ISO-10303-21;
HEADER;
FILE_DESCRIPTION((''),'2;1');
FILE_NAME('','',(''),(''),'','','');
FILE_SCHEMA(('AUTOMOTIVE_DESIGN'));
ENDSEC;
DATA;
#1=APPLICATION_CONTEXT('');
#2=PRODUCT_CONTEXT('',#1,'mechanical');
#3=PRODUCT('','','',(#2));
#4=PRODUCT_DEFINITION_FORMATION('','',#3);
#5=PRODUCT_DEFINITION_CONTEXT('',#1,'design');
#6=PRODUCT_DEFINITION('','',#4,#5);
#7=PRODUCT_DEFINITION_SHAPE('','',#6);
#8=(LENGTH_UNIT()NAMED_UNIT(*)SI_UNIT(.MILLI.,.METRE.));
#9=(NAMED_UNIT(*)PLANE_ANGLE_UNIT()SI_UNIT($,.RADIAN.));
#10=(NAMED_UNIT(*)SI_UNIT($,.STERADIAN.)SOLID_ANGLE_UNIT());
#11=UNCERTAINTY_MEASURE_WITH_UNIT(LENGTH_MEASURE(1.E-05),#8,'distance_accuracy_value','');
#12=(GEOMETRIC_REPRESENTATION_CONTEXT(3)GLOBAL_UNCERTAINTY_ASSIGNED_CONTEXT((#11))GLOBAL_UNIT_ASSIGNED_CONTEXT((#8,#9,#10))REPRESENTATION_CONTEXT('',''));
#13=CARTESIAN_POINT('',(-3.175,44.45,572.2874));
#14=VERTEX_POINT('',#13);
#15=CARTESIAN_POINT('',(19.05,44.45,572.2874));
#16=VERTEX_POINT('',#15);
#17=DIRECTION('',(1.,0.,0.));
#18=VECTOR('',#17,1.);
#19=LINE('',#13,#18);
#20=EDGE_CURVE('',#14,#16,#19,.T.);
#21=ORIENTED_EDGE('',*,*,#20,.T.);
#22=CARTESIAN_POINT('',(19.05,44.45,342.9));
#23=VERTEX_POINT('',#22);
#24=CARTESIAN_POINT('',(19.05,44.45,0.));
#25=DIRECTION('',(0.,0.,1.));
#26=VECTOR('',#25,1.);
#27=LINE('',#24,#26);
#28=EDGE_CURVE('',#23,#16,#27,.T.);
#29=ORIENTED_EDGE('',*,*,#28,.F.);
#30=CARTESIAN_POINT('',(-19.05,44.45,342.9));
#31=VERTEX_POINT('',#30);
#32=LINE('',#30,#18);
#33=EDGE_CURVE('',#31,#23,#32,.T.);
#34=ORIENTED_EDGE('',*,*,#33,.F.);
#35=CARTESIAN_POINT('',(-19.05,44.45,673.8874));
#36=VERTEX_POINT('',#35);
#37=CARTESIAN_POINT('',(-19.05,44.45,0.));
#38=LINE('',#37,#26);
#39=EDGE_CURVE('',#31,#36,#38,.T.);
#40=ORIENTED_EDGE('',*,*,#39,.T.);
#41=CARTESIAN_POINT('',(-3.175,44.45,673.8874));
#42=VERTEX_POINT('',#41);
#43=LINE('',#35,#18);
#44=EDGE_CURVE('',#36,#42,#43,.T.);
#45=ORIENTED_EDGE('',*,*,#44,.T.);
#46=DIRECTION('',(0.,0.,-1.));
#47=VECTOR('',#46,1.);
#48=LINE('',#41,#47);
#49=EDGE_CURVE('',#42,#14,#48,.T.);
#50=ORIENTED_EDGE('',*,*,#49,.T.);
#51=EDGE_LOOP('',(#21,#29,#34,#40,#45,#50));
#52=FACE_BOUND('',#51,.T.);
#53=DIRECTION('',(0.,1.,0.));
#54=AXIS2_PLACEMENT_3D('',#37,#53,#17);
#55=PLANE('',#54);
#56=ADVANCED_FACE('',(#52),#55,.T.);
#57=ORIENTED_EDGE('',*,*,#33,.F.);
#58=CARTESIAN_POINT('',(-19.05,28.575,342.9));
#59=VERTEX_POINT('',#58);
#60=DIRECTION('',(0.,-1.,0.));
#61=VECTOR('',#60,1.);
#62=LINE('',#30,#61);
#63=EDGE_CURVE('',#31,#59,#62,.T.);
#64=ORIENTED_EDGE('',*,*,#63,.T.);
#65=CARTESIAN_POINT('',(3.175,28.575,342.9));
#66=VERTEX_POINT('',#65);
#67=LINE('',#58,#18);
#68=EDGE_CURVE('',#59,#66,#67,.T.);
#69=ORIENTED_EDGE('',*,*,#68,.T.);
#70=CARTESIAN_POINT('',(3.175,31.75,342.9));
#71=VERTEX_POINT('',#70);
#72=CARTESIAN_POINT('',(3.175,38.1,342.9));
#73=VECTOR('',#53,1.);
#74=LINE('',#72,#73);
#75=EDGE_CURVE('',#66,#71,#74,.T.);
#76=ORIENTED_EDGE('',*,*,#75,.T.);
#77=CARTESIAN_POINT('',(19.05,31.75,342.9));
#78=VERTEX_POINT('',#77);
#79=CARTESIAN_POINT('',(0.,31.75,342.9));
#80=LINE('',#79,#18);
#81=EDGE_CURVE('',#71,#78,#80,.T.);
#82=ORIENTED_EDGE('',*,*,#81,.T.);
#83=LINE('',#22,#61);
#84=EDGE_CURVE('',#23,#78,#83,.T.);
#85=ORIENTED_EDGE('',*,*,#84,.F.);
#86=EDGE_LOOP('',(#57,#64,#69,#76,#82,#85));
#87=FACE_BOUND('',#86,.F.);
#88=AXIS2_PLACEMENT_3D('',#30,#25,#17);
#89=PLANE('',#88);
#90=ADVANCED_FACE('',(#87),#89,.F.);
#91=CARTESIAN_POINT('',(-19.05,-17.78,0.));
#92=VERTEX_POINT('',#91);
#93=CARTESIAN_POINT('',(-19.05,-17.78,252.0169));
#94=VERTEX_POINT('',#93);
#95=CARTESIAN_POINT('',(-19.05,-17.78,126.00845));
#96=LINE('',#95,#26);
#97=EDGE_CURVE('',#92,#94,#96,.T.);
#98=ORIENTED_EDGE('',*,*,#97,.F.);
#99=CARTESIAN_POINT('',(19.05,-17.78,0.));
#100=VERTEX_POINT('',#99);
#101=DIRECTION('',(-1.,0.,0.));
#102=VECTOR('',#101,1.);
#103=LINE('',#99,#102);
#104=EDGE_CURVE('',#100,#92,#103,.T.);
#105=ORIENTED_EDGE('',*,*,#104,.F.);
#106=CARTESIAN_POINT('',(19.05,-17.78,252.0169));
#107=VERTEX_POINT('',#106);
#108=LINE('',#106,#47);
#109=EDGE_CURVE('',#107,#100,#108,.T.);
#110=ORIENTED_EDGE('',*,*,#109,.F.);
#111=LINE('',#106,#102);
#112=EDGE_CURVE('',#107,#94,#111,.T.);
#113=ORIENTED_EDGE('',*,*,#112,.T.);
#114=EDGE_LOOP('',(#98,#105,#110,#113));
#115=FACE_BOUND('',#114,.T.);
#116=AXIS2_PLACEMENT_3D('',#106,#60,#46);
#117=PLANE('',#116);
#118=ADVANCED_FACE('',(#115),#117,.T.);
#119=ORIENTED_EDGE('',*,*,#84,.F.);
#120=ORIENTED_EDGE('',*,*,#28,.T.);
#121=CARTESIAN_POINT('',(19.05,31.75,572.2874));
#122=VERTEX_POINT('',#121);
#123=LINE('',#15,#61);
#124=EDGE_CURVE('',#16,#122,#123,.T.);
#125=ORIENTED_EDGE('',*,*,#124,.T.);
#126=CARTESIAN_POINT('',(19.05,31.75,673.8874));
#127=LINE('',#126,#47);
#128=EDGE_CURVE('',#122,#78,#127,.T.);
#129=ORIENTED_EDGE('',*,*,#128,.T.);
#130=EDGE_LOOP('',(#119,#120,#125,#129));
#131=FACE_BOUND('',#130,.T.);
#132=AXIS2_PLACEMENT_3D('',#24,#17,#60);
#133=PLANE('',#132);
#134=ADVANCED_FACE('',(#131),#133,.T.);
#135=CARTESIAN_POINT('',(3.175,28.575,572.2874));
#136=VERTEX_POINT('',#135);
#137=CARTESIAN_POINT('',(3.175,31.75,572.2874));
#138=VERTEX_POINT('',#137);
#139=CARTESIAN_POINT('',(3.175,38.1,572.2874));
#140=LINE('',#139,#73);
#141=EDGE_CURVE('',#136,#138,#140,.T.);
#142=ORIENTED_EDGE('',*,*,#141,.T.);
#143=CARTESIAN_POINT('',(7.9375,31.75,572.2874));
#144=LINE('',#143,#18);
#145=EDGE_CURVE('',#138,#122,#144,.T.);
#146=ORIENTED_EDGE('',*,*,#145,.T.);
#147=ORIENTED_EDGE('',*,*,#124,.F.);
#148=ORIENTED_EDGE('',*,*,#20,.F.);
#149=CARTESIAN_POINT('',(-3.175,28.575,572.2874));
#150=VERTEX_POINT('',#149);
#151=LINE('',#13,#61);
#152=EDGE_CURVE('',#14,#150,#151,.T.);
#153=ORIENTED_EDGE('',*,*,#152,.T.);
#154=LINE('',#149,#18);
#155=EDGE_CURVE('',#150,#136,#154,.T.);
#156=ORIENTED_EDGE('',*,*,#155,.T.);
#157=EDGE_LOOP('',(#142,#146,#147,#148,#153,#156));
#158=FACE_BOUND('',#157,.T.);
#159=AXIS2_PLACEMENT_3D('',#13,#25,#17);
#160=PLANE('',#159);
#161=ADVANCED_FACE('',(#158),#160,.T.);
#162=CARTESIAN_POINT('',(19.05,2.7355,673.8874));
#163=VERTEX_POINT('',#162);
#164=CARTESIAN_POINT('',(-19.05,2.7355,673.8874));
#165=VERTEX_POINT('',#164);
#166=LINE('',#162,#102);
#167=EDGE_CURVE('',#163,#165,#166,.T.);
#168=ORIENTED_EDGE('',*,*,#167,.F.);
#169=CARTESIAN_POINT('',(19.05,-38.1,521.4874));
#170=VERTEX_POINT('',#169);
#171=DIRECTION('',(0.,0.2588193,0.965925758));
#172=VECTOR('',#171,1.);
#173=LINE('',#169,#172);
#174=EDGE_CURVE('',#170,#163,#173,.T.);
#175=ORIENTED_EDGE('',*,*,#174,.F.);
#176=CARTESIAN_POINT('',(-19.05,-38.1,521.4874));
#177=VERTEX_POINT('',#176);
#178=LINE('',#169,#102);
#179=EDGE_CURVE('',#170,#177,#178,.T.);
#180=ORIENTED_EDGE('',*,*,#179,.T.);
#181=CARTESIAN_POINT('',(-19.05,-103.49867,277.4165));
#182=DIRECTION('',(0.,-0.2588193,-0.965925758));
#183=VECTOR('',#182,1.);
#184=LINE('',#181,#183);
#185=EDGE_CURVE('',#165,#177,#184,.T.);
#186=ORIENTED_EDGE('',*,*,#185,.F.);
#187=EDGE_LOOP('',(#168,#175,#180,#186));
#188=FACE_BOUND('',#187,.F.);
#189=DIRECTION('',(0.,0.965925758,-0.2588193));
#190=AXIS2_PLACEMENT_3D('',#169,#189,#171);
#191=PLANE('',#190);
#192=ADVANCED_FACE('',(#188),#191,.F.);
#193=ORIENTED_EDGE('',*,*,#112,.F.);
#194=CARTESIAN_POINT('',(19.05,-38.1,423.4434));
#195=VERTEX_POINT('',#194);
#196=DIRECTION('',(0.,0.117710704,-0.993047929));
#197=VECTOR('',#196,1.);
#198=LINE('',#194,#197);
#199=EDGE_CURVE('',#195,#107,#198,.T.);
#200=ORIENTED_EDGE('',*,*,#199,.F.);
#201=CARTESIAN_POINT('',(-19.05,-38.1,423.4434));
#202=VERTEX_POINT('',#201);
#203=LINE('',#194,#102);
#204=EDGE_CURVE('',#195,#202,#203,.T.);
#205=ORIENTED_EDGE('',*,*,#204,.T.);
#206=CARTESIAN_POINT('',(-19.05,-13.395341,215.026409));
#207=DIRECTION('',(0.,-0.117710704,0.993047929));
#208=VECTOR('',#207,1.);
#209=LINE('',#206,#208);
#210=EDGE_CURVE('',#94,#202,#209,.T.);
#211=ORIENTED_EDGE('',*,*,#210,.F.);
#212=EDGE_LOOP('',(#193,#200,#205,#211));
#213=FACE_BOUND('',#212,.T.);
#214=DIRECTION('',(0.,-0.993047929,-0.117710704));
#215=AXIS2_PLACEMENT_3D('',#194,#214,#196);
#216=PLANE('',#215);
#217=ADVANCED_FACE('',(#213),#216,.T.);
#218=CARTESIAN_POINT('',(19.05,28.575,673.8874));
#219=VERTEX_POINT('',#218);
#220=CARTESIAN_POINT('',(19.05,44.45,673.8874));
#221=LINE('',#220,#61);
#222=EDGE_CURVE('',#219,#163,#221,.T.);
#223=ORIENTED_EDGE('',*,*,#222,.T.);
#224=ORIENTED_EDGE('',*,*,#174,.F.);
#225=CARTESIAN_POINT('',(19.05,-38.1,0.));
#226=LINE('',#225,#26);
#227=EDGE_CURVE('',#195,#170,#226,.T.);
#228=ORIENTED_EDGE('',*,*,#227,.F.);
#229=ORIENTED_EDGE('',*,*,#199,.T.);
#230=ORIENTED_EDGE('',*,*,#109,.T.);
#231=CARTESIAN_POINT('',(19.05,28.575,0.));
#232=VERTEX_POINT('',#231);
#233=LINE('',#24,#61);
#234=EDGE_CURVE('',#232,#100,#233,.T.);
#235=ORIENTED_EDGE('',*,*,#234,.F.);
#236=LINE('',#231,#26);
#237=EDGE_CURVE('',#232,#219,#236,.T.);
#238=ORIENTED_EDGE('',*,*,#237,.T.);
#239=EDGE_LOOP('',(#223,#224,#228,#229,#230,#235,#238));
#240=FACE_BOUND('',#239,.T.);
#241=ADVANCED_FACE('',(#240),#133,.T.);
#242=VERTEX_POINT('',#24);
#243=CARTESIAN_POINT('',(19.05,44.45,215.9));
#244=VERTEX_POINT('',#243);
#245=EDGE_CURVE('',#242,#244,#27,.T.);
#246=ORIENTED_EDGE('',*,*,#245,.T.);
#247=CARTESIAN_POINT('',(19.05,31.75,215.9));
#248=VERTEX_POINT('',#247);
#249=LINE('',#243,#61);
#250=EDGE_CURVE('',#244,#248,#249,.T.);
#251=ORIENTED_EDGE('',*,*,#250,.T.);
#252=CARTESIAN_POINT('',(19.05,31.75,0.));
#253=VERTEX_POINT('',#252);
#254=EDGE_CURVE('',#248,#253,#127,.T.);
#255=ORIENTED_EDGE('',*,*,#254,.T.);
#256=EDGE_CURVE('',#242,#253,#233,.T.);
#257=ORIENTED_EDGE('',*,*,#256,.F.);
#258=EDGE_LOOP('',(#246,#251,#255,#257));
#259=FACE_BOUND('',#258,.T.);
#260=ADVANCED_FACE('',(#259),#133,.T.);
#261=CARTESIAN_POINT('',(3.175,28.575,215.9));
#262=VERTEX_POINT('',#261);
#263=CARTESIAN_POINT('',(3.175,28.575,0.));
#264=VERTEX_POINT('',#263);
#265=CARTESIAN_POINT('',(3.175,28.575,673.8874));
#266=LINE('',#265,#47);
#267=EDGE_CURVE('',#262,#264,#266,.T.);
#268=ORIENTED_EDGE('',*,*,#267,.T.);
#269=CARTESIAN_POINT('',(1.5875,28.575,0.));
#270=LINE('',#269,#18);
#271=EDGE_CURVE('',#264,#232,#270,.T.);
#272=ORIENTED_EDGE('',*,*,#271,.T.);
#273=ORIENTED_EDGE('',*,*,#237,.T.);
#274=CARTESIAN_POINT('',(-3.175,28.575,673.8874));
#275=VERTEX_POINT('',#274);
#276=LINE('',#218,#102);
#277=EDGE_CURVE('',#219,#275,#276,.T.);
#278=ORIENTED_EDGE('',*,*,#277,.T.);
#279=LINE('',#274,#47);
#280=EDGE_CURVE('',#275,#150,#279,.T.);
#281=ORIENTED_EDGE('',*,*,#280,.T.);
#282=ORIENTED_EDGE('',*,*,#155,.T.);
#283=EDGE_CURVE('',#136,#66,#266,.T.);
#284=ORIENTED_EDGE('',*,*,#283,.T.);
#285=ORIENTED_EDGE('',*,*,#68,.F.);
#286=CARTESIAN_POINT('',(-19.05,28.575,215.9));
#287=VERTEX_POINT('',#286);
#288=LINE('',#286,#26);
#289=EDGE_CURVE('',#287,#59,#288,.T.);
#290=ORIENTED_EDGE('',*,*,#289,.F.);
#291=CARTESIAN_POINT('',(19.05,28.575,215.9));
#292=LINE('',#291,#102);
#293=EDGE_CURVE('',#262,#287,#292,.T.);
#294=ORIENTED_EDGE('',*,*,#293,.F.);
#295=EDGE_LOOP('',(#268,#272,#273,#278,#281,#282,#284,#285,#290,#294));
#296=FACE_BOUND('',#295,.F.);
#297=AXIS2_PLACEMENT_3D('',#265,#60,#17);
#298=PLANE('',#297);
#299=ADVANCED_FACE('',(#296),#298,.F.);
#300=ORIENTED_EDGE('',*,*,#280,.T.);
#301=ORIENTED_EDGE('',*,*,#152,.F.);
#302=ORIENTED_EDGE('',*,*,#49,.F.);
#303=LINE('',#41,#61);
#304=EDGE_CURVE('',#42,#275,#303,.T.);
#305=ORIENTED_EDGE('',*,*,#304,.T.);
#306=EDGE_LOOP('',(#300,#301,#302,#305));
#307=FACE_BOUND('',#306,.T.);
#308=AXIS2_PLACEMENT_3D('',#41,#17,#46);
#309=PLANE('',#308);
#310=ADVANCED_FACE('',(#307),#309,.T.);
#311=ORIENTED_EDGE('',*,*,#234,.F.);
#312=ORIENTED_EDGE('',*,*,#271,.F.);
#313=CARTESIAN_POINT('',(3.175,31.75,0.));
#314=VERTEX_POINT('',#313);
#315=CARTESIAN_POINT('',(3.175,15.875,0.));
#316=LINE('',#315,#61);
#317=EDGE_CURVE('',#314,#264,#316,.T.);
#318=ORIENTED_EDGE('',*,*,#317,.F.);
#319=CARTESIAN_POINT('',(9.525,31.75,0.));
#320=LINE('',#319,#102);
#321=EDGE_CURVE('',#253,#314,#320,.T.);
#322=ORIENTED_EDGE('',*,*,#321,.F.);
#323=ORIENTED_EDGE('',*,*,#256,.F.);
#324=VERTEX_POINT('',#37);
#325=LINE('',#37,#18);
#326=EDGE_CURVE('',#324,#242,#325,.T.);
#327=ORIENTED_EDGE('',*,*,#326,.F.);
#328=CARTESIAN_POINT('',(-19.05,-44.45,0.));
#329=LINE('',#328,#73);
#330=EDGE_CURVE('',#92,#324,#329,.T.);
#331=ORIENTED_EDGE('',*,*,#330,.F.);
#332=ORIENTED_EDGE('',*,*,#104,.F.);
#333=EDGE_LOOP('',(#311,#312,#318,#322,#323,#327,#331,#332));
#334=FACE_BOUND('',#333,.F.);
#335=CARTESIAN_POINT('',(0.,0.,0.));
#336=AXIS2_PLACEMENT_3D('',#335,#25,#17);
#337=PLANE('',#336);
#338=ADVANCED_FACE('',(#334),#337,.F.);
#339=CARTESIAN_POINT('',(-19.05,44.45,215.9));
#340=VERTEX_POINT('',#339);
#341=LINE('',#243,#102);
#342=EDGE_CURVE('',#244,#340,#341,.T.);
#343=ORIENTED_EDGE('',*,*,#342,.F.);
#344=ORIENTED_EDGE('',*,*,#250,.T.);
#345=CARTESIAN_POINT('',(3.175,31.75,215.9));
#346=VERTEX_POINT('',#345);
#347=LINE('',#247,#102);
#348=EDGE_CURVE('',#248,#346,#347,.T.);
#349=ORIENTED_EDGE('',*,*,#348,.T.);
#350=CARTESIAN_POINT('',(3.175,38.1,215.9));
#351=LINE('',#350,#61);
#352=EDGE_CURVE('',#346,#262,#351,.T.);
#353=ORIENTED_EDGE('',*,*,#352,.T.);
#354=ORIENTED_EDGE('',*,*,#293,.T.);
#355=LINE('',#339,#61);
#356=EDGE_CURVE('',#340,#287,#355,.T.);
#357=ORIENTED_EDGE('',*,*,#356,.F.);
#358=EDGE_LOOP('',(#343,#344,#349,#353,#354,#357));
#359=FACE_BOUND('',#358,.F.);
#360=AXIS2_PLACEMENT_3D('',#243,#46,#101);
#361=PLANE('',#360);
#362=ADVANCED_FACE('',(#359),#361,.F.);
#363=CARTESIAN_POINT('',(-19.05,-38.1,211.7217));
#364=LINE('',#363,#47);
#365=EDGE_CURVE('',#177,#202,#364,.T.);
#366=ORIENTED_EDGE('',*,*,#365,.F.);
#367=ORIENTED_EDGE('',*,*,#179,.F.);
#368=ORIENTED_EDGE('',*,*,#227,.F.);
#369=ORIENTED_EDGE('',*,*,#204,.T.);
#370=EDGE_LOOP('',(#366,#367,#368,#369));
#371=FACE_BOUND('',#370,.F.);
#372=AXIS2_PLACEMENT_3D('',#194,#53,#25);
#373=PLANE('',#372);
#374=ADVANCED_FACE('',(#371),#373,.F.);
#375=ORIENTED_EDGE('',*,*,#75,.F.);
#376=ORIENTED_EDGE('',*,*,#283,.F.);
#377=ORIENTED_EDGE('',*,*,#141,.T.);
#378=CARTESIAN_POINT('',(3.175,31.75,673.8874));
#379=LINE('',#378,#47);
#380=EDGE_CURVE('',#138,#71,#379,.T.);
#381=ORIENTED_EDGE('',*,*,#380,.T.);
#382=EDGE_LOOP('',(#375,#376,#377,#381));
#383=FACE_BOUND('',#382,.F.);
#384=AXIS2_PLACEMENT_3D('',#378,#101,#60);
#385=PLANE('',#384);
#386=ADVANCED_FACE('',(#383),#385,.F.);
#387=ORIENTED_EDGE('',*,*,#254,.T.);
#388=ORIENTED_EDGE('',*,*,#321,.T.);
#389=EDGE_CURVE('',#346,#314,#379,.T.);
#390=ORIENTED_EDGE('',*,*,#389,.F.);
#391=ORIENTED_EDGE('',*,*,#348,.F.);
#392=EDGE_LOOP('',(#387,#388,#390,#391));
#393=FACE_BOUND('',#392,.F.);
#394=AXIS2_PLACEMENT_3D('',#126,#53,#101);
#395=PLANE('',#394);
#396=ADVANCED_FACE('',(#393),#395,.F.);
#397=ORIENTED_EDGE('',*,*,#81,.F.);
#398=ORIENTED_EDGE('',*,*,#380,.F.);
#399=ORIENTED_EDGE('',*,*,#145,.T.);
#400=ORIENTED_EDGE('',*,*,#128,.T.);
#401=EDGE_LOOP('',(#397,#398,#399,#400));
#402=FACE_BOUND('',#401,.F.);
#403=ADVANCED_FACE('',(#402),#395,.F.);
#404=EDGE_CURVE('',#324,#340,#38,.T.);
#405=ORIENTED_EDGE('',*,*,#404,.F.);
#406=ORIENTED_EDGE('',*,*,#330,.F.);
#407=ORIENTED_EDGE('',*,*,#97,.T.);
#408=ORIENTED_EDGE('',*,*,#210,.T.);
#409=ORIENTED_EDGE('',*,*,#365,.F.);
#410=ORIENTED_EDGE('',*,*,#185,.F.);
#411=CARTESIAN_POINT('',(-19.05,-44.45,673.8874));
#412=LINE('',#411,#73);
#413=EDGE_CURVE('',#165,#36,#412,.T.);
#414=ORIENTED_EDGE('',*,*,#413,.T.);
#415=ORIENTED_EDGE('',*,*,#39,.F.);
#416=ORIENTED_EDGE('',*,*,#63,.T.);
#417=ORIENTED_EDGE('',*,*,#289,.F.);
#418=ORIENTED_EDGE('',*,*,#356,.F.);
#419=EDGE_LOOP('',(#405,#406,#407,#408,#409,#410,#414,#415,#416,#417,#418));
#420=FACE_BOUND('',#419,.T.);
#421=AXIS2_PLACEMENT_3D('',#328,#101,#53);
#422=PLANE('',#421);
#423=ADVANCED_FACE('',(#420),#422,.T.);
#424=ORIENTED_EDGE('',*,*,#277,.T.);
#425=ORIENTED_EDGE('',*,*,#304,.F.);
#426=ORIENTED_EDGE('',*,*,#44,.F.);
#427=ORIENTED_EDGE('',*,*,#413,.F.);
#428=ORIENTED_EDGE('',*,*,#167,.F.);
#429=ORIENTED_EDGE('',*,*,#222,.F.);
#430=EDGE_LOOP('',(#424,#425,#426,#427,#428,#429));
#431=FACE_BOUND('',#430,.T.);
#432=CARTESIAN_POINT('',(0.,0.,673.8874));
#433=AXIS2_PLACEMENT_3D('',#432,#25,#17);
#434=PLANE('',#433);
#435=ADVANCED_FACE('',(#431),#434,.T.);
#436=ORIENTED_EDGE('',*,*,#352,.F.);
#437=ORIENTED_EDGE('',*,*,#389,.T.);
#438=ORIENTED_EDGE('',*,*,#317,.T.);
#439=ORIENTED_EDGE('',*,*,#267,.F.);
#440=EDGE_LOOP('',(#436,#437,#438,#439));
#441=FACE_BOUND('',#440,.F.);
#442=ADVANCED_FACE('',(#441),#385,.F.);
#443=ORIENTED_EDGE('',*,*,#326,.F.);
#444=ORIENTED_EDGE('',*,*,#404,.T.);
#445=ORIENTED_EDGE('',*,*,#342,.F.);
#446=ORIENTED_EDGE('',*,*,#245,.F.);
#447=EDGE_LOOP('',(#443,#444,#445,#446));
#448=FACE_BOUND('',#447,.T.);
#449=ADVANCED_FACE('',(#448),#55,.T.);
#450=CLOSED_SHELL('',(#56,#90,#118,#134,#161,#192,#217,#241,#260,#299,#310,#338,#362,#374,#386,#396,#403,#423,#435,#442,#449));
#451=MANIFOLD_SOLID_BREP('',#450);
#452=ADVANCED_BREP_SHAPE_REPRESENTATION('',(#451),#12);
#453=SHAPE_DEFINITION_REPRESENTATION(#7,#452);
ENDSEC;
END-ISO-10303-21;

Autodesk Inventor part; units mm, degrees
ref_plane "YZ Plane" through (0, 0, 0) normal (1, 0, 0) x (0, 1, 0)
ref_plane "XZ Plane" through (0, 0, 0) normal (0, 1, 0) x (-1, 0, 0)
ref_plane "XY Plane" through (0, 0, 0) normal (0, 0, 1) x (1, 0, 0)
sketch "Sketch1" plane through (0, 0, 0) normal (0, 0, 1) x (1, 0, 0)
  line L0 (19.05, -44.45) -> (-19.05, -44.45)
  line L1 (-19.05, -44.45) -> (-19.05, 44.45)
  line L2 (-19.05, 44.45) -> (19.05, 44.45)
  line L3 (19.05, 44.45) -> (19.05, -44.45)
  line L4 (19.05, -44.45) -> (-19.05, 44.45) construction
  line L5 (-19.05, -44.45) -> (19.05, 44.45) construction
  point P0 (0, 0)
  dimension "d0" = 38.1
  dimension "d1" = 88.9
extrude "Extrusion1" add sketch "Sketch1" along normal blind 673.8874
sketch "Sketch2" plane through (0, 0, 673.8874) normal (0, 0, 1) x (1, 0, 0)
  line L0 (19.05, -44.45) -> (19.05, 44.45) projected
  line L1 (19.05, 44.45) -> (-19.05, 44.45) projected
  line L2 (19.05, 31.75) -> (3.175, 31.75)
  line L3 (3.175, 31.75) -> (3.175, 28.575)
  line L4 (3.175, 28.575) -> (19.05, 28.575)
  line L5 (19.05, 28.575) -> (19.05, 31.75)
  point P0 (0, 0)
  dimension "d4" = 12.7
  dimension "d5" = 3.175
  dimension "d6" = 15.875
extrude "Extrusion2" cut sketch "Sketch2" against normal blind 736.6
sketch "Sketch4" plane through (19.05, -44.45, 673.8874) normal (1, 0, 0) x (0, 0, -1)
  line L0 (0, 0) -> (0, 73.025) projected
  line L1 (673.8874, 0) -> (0, 0) projected
  line L2 (673.8874, 73.025) -> (673.8874, 0) projected
  line L3 (673.8874, 6.35) -> (0, 6.35)
  line L4 (152.4, 6.35) -> (0, 47.1855)
  line L5 (250.444, 6.35) -> (421.8705, 26.67)
  line L6 (421.8705, 26.67) -> (673.8874, 26.67)
  point P0 (673.8874, 44.45)
  dimension "d15" = 6.35
  dimension "d20" = 152.4
  dimension "d21" = 165
  dimension "d23" = 20.32
  dimension "d24" = 98.044
  dimension "d25" = 173.24
extrude "Extrusion3" cut sketch "Sketch4" against normal blind 152.4
sketch "Sketch5" plane through (-19.05, 44.45, 0) normal (0, 1, 0) x (1, 0, 0)
  line L0 (38.1, -673.8874) -> (15.875, -673.8874)
  line L1 (15.875, -673.8874) -> (15.875, -572.2874)
  line L2 (15.875, -572.2874) -> (38.1, -572.2874)
  line L3 (38.1, -572.2874) -> (38.1, -673.8874)
  point P0 (19.05, 0)
  dimension "d28" = 22.225
  dimension "d29" = 101.6
extrude "Extrusion4" cut sketch "Sketch5" against normal blind 15.875
sketch "Sketch6" plane through (-19.05, 44.45, 0) normal (0, 1, 0) x (1, 0, 0)
  line L0 (38.1, 0) -> (38.1, -572.2874) projected
  line L1 (0, 0) -> (38.1, 0) projected
  line L2 (38.1, -215.9) -> (0, -215.9)
  line L3 (0, -215.9) -> (0, -342.9)
  line L4 (0, -342.9) -> (38.1, -342.9)
  line L5 (38.1, -342.9) -> (38.1, -215.9)
  point P0 (19.05, 0)
  dimension "d32" = 127
  dimension "d33" = 215.9
  dimension "d36" = 38.1
extrude "Extrusion5" cut sketch "Sketch6" against normal blind 15.875
properties part number "FrontSkid"
